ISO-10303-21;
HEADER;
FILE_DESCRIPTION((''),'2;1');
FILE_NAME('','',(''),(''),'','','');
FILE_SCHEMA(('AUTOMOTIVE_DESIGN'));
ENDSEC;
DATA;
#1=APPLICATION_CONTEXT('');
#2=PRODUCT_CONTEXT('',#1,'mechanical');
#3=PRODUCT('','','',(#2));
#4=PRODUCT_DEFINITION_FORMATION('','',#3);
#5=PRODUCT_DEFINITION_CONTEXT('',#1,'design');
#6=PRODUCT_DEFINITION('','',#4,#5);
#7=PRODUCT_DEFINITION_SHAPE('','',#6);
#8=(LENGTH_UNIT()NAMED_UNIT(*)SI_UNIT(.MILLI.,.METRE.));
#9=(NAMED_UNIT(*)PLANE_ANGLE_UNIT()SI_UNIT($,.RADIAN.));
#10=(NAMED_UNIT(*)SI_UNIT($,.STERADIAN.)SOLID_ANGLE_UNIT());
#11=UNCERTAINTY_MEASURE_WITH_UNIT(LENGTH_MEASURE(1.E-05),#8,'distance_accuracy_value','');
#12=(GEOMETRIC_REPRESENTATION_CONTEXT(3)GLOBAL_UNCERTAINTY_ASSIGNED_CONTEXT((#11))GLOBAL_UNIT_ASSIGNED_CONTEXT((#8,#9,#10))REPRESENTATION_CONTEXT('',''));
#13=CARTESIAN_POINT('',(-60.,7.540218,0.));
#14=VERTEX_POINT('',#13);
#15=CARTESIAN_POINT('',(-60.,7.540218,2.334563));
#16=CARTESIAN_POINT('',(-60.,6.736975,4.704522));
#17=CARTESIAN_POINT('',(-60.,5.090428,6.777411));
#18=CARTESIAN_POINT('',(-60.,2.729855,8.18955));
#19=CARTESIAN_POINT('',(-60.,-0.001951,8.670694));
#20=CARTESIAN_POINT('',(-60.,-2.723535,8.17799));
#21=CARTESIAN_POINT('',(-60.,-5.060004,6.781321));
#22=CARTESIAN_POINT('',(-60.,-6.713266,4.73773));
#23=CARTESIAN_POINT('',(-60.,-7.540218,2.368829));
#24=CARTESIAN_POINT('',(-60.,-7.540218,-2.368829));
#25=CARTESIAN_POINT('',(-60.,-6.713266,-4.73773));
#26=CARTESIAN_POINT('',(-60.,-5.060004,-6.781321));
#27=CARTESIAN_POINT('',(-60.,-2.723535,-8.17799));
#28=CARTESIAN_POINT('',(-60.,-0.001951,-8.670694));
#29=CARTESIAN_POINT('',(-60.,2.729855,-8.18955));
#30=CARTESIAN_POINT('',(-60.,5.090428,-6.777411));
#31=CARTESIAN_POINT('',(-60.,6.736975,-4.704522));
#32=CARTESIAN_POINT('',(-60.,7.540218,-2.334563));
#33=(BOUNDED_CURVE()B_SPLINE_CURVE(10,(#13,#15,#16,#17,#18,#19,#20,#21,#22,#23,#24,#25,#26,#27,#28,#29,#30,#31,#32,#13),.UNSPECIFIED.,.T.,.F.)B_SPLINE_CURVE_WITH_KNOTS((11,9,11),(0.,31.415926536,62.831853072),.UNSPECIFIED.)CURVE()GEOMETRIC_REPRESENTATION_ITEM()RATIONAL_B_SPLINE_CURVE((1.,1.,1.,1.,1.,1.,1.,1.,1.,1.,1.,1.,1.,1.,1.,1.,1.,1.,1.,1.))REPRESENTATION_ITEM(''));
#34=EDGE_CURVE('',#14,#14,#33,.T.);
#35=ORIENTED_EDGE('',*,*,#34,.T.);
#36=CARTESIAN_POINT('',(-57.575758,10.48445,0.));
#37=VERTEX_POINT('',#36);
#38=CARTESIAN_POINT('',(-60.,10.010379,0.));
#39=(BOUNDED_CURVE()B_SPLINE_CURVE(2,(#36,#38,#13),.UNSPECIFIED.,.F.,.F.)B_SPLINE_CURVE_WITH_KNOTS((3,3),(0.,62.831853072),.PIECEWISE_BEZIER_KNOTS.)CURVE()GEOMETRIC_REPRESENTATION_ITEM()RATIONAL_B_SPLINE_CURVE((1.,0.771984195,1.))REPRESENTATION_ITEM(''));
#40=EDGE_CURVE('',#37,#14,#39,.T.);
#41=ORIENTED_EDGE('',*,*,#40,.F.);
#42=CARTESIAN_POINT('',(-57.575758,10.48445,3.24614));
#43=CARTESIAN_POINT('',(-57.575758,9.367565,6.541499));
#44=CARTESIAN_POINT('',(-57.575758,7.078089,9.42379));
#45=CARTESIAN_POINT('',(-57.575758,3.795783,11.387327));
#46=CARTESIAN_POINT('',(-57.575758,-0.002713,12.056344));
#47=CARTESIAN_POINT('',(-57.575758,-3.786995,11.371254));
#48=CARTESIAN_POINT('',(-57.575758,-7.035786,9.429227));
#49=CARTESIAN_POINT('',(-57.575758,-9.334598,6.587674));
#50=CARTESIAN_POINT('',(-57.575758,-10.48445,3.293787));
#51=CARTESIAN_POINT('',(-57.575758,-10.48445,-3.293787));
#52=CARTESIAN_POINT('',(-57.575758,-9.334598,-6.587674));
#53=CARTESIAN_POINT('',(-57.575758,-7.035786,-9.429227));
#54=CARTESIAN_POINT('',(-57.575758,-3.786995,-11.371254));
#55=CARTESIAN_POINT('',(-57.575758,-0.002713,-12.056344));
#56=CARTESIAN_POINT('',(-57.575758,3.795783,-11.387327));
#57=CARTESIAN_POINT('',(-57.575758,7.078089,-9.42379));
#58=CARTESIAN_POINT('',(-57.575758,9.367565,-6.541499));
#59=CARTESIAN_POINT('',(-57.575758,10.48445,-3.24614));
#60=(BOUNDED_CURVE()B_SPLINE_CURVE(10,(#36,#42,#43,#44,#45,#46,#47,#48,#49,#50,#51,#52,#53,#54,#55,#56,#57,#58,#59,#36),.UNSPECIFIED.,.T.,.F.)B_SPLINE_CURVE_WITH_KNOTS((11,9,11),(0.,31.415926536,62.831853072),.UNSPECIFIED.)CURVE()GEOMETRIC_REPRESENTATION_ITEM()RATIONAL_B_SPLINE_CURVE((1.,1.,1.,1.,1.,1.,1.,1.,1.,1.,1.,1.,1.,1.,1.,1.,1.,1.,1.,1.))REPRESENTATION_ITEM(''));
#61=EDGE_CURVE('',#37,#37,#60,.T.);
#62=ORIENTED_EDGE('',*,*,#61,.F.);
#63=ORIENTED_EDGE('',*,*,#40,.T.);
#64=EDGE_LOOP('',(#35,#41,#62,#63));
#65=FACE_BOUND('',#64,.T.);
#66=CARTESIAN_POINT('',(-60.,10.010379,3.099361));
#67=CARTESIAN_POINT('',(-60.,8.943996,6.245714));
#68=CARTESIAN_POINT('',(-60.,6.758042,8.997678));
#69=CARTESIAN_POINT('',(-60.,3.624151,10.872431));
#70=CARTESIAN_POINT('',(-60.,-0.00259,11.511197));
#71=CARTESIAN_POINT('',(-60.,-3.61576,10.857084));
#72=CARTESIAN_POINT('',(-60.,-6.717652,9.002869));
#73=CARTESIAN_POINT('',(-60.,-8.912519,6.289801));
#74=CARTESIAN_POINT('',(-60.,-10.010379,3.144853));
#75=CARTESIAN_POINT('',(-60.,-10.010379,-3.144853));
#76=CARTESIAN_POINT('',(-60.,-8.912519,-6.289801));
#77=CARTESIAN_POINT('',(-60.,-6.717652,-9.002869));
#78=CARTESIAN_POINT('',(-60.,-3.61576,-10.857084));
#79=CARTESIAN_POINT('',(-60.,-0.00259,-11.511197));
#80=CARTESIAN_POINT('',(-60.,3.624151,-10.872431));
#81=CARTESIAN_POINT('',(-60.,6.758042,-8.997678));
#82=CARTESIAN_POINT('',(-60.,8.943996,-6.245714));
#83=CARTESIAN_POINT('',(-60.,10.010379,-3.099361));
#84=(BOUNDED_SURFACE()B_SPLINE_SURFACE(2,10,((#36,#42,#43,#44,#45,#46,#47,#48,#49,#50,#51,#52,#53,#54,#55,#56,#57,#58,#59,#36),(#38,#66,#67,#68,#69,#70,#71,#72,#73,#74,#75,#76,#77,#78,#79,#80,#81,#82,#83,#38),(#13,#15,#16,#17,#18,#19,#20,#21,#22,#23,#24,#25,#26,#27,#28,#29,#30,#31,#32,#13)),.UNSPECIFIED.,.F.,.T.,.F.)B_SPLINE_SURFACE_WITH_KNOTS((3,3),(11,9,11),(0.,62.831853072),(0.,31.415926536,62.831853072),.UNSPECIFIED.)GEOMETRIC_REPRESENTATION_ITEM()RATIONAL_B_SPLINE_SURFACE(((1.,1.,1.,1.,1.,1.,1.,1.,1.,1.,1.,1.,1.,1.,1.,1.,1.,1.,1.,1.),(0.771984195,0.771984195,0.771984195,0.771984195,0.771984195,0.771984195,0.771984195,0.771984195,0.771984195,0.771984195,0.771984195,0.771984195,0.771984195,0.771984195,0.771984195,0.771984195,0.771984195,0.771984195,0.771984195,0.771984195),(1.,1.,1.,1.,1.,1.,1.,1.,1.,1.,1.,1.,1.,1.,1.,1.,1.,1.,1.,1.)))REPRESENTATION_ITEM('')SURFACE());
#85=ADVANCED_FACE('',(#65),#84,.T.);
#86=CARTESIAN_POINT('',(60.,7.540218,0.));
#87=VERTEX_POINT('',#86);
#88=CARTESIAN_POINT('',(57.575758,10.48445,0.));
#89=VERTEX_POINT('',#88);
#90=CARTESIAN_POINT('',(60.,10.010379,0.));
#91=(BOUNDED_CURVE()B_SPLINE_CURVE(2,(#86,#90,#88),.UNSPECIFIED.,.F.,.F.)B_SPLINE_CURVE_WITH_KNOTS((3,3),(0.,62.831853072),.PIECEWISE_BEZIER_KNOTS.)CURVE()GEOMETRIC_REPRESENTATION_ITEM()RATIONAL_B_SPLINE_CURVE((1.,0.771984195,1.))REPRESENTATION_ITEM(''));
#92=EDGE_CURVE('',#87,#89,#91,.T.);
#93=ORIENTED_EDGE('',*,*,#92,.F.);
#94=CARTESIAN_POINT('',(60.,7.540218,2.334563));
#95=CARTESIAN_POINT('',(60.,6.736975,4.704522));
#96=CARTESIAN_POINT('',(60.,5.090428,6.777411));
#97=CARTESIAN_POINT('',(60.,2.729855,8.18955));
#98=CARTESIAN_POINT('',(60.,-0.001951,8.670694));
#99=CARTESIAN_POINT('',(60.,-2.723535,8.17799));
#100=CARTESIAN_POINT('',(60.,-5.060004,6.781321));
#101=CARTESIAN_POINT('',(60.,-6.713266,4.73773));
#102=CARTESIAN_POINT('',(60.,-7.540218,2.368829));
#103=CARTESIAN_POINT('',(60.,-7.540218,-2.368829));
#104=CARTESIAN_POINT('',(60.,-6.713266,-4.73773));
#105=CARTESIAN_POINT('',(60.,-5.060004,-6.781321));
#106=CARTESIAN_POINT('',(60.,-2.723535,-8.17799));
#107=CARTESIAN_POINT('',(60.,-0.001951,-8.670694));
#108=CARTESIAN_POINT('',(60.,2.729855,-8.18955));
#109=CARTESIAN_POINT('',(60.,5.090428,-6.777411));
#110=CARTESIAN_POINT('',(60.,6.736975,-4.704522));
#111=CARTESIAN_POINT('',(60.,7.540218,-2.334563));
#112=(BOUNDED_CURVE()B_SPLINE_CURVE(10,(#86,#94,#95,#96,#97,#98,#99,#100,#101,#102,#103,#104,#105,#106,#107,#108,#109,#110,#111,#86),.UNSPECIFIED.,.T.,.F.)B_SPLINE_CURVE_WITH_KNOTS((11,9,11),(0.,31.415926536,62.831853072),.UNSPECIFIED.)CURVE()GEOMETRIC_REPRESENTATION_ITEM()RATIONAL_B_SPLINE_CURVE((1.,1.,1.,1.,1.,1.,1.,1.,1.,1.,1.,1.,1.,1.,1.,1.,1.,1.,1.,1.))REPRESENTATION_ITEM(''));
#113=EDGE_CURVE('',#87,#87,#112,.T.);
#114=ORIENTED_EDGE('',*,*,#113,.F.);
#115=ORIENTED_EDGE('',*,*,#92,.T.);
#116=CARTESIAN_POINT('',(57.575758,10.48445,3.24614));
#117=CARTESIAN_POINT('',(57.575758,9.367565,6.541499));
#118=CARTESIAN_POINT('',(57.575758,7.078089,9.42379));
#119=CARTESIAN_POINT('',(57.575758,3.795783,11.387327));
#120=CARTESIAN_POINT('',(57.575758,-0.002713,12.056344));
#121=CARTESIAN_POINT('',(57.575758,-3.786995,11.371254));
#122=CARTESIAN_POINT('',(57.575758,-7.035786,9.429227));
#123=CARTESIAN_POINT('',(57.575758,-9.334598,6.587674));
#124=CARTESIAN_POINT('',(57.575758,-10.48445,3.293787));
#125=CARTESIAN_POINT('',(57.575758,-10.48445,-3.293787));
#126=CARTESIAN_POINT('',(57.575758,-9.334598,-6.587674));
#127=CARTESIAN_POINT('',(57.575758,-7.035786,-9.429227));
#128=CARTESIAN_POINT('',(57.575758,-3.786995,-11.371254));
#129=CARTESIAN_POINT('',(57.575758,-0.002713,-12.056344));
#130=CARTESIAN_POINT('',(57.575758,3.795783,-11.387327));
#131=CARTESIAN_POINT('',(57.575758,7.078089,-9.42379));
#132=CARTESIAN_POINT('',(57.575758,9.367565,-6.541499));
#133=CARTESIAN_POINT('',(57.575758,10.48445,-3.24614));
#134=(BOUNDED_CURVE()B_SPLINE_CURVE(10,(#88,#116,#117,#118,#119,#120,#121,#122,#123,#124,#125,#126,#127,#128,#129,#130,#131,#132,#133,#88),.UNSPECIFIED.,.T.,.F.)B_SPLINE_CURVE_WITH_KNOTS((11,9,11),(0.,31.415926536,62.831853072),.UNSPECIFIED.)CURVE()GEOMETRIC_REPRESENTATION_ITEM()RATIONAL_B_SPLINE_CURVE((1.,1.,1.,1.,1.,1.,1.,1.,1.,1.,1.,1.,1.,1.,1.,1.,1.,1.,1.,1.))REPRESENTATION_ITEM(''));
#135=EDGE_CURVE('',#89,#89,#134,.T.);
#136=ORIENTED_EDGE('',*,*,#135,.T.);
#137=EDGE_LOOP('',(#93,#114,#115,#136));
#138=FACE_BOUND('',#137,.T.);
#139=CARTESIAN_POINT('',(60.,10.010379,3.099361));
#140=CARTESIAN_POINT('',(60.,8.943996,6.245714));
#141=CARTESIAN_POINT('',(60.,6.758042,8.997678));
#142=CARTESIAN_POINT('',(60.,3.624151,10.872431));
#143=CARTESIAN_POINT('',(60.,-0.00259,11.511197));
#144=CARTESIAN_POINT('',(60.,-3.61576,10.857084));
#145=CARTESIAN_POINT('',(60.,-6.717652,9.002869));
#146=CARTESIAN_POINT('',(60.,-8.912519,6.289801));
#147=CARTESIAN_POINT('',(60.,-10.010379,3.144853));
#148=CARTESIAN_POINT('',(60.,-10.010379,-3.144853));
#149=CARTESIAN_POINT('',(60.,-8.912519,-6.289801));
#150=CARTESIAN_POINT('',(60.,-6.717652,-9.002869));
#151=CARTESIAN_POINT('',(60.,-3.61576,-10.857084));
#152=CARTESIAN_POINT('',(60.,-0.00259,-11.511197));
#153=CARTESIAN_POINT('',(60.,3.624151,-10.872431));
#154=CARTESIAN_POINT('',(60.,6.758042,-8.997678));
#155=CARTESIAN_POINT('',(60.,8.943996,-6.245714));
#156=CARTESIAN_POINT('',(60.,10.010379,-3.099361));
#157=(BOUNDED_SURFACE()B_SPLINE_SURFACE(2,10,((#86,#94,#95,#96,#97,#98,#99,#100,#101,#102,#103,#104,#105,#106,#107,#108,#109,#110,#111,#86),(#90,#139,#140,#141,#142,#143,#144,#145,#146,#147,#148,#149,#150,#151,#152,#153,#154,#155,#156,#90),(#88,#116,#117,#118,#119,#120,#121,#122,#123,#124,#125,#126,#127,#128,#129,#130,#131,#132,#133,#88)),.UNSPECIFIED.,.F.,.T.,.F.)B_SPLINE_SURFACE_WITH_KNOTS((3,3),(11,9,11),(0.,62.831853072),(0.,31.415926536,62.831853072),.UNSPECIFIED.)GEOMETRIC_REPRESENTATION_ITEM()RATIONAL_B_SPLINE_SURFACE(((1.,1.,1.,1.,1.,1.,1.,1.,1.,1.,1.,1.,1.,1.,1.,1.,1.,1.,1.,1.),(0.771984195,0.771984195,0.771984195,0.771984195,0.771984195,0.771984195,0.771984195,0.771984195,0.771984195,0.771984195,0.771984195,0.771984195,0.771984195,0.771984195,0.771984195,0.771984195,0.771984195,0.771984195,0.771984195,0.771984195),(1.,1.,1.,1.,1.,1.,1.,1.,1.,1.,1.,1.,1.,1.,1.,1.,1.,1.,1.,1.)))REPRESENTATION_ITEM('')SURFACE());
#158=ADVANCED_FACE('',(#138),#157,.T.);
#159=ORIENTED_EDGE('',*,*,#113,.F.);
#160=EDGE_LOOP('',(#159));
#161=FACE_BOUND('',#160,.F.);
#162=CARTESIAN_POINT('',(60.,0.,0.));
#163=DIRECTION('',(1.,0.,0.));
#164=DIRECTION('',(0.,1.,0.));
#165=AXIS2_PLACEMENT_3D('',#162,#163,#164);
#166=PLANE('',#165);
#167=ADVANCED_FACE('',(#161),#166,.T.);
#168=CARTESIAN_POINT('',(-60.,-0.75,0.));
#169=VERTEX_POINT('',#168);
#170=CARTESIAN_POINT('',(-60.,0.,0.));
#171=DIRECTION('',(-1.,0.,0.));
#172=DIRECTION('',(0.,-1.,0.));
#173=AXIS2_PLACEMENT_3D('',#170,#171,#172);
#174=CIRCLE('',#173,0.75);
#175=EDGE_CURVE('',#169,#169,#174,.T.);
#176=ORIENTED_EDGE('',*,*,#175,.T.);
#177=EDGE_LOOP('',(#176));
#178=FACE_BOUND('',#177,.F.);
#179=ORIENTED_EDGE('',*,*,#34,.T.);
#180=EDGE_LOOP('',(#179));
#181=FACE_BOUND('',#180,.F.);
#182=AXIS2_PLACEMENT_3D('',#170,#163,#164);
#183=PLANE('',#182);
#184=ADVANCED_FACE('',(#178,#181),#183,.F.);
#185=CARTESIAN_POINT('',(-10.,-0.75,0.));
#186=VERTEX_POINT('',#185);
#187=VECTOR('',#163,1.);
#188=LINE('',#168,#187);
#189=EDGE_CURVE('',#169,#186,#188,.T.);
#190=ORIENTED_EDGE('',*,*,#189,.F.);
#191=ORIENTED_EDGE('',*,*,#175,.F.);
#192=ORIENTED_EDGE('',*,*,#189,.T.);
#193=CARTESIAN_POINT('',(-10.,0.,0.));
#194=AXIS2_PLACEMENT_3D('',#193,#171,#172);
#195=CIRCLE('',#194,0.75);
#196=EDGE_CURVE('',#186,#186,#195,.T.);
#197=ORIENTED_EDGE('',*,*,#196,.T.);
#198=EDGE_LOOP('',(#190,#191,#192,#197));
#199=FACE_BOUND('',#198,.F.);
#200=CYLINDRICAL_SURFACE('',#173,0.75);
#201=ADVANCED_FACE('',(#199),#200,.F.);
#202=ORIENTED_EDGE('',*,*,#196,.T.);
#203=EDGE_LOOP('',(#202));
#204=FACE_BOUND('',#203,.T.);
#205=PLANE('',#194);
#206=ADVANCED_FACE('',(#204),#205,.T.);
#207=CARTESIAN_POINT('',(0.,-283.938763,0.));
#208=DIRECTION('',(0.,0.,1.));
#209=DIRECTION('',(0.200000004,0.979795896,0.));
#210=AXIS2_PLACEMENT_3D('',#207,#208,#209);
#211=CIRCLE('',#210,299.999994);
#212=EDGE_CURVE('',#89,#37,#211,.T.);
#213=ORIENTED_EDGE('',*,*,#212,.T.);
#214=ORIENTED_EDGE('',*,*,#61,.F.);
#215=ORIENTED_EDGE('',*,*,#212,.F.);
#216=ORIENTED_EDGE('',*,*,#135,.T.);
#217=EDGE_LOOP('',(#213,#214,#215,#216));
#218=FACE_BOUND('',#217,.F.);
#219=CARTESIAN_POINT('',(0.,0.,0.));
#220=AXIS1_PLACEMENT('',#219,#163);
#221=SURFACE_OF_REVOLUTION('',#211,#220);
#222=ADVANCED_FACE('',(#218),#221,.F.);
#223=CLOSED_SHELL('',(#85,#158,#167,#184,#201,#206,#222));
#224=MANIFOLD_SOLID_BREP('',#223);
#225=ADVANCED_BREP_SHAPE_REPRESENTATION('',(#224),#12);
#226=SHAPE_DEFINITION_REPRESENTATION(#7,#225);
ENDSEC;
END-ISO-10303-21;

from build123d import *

# Parameters (mm, degrees)
F2_R     = 0.75
F3_DEPTH = 50
F4_R     = 3


with BuildPart() as f1:
    # F0 (on Top) → F1 (revolve)
    with BuildSketch(Plane.XY):
        with BuildLine():
            Line((60, 0), (60, 10))
            ThreePointArc((60, 10), (0, 16.061231), (-60, 10))
            Line((-60, 10), (-60, 0))
            Line((-60, 0), (60, 0))
        make_face()
    revolve(axis=Axis((0, 0, 0), (1, 0, 0)))

    # F2 (on face) → F3 (cut)
    with BuildSketch(Plane(origin=(-60, 0, 0), x_dir=(0, -1, 0), z_dir=(-1, 0, 0))):
        Circle(F2_R)
    extrude(amount=-F3_DEPTH, mode=Mode.SUBTRACT)

    # F4
    f4_edges = [f1.edges().sort_by_distance(p)[0] for p in [
        (-60, -10, 0),
        (60, -10, 0),
    ]]
    fillet(f4_edges, radius=F4_R)


solid = f1.part
